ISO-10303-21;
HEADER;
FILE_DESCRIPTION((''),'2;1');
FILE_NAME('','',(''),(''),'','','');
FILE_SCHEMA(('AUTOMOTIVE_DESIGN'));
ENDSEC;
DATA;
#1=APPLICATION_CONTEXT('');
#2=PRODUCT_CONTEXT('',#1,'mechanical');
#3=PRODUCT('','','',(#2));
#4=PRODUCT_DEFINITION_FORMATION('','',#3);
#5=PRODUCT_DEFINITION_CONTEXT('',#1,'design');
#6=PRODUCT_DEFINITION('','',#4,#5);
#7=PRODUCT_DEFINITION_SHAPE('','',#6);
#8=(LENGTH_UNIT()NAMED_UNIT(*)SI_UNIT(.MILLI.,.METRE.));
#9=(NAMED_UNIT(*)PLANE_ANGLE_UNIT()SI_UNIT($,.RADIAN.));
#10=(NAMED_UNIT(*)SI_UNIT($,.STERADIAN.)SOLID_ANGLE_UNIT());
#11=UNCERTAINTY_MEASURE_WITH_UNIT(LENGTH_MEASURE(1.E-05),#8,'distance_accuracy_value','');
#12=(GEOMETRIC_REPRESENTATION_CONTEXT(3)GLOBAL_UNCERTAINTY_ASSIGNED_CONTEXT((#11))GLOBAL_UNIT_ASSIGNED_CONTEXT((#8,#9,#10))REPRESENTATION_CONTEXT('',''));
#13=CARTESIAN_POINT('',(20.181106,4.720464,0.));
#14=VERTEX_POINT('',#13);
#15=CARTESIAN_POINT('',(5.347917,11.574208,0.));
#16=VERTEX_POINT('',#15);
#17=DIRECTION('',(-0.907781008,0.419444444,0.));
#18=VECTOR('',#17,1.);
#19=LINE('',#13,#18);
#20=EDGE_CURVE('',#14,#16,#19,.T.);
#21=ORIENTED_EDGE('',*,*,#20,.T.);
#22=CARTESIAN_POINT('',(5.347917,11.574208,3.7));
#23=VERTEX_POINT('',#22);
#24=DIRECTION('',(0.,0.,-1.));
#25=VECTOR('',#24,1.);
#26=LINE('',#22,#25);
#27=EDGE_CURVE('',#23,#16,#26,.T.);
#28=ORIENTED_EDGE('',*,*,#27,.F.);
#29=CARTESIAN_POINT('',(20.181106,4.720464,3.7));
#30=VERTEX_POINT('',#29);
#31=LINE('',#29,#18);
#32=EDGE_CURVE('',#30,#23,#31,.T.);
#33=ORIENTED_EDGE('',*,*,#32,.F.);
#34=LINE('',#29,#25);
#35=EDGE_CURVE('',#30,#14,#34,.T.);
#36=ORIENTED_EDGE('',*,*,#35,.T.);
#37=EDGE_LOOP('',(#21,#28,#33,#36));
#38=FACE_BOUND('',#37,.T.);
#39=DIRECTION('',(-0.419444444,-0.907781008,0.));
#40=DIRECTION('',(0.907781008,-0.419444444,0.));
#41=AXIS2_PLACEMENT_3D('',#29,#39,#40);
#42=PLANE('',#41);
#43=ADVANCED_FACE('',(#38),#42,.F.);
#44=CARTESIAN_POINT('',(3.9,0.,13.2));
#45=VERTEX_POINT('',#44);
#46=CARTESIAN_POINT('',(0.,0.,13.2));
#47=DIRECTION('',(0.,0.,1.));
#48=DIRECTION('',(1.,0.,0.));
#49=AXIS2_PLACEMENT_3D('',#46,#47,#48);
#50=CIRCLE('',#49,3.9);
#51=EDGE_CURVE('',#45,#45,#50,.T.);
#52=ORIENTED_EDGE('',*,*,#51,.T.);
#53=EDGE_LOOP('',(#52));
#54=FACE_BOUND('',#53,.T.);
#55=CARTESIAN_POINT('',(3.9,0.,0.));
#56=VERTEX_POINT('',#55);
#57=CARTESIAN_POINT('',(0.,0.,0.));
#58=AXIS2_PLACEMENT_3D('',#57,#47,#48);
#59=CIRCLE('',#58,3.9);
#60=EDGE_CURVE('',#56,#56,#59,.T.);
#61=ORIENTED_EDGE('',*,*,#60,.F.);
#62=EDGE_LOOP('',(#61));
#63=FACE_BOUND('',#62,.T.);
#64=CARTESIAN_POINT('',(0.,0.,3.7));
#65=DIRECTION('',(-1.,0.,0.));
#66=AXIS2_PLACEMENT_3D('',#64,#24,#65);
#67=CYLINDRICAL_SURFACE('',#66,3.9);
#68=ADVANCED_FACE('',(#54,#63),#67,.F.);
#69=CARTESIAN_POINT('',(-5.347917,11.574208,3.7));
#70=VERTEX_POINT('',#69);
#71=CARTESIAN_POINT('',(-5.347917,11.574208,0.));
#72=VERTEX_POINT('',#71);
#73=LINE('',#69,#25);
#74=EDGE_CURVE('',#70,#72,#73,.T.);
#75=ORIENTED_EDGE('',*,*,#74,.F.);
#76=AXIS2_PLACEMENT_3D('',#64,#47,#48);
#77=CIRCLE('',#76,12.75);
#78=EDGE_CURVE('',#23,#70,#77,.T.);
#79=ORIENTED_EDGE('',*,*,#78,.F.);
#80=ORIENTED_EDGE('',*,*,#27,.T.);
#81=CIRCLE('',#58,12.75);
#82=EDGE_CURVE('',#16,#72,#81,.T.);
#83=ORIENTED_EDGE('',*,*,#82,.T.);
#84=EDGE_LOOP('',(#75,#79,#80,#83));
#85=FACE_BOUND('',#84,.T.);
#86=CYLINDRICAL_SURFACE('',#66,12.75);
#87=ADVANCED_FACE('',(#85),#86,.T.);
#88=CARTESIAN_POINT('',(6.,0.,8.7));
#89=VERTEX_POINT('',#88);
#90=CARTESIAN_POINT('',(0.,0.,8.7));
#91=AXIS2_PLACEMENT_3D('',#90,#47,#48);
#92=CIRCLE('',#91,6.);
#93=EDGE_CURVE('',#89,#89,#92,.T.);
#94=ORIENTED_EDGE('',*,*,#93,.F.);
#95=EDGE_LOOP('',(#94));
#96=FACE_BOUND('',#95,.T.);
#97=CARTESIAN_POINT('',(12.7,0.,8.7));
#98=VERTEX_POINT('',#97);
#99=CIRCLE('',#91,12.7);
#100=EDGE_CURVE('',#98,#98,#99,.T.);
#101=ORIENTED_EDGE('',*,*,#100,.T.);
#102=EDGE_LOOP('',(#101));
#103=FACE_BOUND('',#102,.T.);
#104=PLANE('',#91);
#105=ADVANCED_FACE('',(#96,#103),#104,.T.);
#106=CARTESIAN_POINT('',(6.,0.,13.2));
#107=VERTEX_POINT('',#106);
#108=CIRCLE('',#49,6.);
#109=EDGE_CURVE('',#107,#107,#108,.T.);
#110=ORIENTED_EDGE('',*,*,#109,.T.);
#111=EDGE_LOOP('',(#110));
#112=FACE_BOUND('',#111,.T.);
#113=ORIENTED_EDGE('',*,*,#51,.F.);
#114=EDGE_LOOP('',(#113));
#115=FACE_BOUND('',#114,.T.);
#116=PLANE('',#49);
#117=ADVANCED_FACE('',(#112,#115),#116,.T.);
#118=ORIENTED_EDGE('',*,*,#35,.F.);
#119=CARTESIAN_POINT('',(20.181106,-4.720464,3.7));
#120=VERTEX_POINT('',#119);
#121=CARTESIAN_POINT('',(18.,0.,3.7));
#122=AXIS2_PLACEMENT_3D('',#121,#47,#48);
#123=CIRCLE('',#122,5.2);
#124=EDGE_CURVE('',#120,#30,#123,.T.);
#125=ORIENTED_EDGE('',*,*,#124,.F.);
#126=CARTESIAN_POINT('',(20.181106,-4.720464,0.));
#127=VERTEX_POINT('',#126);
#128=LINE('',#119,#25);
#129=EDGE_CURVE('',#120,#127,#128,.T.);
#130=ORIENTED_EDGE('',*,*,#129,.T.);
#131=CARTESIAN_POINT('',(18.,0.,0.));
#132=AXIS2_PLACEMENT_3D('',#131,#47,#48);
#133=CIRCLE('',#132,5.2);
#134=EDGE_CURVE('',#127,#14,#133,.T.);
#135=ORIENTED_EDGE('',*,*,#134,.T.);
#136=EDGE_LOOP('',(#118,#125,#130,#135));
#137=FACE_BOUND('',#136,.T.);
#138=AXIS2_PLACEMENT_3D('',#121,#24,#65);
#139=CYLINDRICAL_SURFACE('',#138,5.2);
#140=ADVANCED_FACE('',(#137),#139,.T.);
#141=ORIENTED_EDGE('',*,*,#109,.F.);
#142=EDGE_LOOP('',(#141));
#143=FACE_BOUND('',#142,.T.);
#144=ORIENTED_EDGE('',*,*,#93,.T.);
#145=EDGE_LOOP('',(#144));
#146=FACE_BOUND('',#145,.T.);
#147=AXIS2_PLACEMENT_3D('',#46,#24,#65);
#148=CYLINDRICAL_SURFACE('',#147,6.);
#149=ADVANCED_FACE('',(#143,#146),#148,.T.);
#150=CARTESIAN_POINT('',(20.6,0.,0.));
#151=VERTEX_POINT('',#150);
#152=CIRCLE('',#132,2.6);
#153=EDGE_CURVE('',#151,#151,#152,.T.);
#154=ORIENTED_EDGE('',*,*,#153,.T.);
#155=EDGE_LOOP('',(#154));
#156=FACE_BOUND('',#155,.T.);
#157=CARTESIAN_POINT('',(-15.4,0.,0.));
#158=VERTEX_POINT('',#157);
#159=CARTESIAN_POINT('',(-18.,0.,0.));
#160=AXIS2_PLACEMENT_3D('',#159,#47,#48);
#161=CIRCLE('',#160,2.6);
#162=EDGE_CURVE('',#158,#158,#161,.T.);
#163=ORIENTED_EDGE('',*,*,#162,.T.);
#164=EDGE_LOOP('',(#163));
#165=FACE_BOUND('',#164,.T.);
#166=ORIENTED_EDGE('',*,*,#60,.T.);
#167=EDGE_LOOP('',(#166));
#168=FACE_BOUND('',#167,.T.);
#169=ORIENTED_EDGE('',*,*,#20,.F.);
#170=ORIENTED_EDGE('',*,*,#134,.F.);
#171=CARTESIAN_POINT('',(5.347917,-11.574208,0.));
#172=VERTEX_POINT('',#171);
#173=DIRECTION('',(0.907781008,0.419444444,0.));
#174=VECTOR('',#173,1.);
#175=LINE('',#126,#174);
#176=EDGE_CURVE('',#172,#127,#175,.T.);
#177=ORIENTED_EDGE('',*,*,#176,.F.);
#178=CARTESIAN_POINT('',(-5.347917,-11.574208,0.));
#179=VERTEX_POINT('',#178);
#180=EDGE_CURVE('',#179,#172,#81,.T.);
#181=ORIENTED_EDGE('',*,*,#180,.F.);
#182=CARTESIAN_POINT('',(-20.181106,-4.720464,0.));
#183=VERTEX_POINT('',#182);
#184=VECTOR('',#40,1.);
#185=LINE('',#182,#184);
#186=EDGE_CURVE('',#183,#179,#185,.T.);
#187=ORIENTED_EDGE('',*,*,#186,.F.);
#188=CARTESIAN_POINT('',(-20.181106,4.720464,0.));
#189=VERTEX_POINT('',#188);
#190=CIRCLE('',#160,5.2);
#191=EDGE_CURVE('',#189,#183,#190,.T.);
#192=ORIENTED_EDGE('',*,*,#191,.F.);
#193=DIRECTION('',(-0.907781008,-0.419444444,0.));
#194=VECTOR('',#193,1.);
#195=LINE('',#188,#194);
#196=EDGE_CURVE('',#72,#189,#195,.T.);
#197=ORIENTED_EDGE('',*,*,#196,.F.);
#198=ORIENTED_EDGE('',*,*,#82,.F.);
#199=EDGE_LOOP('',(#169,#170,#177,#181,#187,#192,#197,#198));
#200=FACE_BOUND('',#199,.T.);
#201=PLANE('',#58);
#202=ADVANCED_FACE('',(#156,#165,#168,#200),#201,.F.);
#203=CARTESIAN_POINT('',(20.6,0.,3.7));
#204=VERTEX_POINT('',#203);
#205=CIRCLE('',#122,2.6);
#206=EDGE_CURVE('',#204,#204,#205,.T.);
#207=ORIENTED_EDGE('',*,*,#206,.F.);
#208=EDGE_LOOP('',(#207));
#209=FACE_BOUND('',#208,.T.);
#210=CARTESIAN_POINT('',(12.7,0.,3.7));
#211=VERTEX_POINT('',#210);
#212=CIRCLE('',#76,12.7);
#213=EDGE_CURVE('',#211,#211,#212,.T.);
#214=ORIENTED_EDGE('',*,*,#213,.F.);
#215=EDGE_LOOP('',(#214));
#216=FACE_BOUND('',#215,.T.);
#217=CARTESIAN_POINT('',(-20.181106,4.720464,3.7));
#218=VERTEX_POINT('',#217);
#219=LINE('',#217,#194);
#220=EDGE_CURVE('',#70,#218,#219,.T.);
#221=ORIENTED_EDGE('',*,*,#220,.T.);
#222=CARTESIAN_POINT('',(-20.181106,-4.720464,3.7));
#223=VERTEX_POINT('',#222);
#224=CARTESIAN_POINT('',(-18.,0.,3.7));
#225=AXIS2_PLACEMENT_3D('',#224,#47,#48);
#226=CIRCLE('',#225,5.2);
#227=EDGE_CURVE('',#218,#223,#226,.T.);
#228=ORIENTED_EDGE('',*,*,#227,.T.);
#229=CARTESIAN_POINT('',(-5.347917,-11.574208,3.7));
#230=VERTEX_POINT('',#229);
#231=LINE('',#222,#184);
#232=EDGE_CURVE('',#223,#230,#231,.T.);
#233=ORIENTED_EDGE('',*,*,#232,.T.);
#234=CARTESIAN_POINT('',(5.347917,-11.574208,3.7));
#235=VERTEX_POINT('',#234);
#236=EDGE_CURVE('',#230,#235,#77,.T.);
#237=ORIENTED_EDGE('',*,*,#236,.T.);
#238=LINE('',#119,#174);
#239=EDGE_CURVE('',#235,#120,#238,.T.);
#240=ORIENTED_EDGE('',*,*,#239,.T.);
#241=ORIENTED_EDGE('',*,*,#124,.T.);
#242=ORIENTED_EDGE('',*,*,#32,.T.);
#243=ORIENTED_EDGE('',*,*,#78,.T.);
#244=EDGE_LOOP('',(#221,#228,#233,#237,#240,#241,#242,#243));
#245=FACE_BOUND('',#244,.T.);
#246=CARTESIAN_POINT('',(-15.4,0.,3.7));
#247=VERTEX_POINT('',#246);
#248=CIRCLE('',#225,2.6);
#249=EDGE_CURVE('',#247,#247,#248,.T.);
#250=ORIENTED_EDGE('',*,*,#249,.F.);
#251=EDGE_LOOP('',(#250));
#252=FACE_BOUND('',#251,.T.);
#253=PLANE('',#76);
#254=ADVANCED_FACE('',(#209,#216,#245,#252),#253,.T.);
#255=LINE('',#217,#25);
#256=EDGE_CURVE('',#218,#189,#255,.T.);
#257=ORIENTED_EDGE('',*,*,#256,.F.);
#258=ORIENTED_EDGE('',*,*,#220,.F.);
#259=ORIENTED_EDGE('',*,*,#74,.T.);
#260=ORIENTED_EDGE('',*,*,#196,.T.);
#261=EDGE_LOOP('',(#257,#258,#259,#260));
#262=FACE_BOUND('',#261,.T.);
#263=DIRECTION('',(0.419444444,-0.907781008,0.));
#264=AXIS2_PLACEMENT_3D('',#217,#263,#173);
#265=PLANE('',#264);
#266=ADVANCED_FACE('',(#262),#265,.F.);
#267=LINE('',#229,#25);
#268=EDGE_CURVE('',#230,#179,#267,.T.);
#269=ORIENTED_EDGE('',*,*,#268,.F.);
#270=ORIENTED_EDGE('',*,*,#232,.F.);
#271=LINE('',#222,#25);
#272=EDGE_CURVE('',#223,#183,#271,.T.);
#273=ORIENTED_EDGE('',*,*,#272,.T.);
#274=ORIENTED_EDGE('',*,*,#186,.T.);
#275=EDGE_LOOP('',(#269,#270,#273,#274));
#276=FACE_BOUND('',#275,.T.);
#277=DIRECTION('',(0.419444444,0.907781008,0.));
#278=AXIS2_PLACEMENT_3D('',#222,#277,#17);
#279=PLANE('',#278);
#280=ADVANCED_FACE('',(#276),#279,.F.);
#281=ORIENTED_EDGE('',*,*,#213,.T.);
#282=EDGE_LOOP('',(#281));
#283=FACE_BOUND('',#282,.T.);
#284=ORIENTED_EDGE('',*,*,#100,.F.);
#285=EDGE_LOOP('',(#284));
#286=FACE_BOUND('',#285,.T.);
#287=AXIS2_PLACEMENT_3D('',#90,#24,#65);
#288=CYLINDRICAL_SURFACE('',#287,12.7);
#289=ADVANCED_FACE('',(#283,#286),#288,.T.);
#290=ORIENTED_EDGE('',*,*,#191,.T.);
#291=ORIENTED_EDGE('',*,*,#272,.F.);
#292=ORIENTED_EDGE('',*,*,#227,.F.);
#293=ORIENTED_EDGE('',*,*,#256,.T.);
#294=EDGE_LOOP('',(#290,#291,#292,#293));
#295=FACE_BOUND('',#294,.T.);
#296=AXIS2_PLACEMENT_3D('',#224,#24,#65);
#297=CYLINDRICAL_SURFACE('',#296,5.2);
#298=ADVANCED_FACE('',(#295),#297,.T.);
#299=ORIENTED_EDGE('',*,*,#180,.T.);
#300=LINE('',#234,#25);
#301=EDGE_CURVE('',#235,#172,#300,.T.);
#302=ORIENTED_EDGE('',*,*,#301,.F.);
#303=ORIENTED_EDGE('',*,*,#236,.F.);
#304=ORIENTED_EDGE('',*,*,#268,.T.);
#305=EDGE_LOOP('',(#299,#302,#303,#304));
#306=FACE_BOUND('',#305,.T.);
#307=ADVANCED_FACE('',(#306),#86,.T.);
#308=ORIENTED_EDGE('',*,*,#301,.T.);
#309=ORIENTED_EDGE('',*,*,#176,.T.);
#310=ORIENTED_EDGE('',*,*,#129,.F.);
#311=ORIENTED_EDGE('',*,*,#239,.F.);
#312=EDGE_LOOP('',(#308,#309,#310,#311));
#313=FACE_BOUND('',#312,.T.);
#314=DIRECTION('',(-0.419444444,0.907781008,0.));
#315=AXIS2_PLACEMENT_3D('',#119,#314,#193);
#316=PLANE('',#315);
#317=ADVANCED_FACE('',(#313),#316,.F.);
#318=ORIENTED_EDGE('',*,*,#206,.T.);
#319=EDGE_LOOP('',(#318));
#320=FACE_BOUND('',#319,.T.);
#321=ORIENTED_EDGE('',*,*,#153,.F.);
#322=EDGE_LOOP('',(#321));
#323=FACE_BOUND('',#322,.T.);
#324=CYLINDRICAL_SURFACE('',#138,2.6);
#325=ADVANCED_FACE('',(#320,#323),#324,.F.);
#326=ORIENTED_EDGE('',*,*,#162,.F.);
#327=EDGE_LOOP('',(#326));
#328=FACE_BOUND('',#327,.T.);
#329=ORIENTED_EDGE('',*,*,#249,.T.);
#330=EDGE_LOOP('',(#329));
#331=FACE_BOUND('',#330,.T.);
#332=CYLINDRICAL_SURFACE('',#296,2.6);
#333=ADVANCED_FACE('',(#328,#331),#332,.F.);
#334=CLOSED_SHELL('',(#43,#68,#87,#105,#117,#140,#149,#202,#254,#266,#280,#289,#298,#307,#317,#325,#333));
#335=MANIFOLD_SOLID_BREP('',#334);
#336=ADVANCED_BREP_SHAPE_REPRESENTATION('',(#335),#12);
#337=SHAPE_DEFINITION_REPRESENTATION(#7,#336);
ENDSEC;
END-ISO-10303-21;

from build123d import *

# Parameters (mm, degrees)
SKETCH_2_R      = 2.6
SKETCH_2_R_2    = 3.9
EXTRUDE_1_DEPTH = 3.7
SKETCH_3_R      = 12.7
SKETCH_3_R_2    = 3.9
EXTRUDE_2_DEPTH = 5
SKETCH_4_R      = 6
SKETCH_4_R_2    = 3.9
EXTRUDE_3_DEPTH = 4.5


with BuildPart() as part:
    # 草圖2 → 填料-伸長1 (new body)
    with BuildSketch(Plane.XY):
        with BuildLine():
            Line((-20.181106134, 4.72046354), (-5.347916667, 11.574207849))
            ThreePointArc((-5.347916667, 11.574207849), (0, 12.75), (5.347916667, 11.574207849))
            Line((5.347916667, 11.574207849), (20.181106134, 4.72046354))
            ThreePointArc((20.181106134, 4.72046354), (23.2, 0), (20.181106134, -4.72046354))
            Line((20.181106134, -4.72046354), (5.347916667, -11.574207849))
            ThreePointArc((5.347916667, -11.574207849), (0, -12.75), (-5.347916667, -11.574207849))
            Line((-5.347916667, -11.574207849), (-20.181106134, -4.72046354))
            ThreePointArc((-20.181106134, -4.72046354), (-23.2, 0), (-20.181106134, 4.72046354))
        make_face()
        with Locations((-18, 0)):
            Circle(SKETCH_2_R, mode=Mode.SUBTRACT)
        with Locations((18, 0)):
            Circle(SKETCH_2_R, mode=Mode.SUBTRACT)
        Circle(SKETCH_2_R_2, mode=Mode.SUBTRACT)
    extrude(amount=EXTRUDE_1_DEPTH)

    # 草圖3 → 填料-伸長2 (add)
    with BuildSketch(Plane.XY.offset(3.7)):
        Circle(SKETCH_3_R)
        Circle(SKETCH_3_R_2, mode=Mode.SUBTRACT)
    extrude(amount=EXTRUDE_2_DEPTH)

    # 草圖4 → 填料-伸長3 (add)
    with BuildSketch(Plane.XY.offset(8.7)):
        Circle(SKETCH_4_R)
        Circle(SKETCH_4_R_2, mode=Mode.SUBTRACT)
    extrude(amount=EXTRUDE_3_DEPTH)


solid = part.part
